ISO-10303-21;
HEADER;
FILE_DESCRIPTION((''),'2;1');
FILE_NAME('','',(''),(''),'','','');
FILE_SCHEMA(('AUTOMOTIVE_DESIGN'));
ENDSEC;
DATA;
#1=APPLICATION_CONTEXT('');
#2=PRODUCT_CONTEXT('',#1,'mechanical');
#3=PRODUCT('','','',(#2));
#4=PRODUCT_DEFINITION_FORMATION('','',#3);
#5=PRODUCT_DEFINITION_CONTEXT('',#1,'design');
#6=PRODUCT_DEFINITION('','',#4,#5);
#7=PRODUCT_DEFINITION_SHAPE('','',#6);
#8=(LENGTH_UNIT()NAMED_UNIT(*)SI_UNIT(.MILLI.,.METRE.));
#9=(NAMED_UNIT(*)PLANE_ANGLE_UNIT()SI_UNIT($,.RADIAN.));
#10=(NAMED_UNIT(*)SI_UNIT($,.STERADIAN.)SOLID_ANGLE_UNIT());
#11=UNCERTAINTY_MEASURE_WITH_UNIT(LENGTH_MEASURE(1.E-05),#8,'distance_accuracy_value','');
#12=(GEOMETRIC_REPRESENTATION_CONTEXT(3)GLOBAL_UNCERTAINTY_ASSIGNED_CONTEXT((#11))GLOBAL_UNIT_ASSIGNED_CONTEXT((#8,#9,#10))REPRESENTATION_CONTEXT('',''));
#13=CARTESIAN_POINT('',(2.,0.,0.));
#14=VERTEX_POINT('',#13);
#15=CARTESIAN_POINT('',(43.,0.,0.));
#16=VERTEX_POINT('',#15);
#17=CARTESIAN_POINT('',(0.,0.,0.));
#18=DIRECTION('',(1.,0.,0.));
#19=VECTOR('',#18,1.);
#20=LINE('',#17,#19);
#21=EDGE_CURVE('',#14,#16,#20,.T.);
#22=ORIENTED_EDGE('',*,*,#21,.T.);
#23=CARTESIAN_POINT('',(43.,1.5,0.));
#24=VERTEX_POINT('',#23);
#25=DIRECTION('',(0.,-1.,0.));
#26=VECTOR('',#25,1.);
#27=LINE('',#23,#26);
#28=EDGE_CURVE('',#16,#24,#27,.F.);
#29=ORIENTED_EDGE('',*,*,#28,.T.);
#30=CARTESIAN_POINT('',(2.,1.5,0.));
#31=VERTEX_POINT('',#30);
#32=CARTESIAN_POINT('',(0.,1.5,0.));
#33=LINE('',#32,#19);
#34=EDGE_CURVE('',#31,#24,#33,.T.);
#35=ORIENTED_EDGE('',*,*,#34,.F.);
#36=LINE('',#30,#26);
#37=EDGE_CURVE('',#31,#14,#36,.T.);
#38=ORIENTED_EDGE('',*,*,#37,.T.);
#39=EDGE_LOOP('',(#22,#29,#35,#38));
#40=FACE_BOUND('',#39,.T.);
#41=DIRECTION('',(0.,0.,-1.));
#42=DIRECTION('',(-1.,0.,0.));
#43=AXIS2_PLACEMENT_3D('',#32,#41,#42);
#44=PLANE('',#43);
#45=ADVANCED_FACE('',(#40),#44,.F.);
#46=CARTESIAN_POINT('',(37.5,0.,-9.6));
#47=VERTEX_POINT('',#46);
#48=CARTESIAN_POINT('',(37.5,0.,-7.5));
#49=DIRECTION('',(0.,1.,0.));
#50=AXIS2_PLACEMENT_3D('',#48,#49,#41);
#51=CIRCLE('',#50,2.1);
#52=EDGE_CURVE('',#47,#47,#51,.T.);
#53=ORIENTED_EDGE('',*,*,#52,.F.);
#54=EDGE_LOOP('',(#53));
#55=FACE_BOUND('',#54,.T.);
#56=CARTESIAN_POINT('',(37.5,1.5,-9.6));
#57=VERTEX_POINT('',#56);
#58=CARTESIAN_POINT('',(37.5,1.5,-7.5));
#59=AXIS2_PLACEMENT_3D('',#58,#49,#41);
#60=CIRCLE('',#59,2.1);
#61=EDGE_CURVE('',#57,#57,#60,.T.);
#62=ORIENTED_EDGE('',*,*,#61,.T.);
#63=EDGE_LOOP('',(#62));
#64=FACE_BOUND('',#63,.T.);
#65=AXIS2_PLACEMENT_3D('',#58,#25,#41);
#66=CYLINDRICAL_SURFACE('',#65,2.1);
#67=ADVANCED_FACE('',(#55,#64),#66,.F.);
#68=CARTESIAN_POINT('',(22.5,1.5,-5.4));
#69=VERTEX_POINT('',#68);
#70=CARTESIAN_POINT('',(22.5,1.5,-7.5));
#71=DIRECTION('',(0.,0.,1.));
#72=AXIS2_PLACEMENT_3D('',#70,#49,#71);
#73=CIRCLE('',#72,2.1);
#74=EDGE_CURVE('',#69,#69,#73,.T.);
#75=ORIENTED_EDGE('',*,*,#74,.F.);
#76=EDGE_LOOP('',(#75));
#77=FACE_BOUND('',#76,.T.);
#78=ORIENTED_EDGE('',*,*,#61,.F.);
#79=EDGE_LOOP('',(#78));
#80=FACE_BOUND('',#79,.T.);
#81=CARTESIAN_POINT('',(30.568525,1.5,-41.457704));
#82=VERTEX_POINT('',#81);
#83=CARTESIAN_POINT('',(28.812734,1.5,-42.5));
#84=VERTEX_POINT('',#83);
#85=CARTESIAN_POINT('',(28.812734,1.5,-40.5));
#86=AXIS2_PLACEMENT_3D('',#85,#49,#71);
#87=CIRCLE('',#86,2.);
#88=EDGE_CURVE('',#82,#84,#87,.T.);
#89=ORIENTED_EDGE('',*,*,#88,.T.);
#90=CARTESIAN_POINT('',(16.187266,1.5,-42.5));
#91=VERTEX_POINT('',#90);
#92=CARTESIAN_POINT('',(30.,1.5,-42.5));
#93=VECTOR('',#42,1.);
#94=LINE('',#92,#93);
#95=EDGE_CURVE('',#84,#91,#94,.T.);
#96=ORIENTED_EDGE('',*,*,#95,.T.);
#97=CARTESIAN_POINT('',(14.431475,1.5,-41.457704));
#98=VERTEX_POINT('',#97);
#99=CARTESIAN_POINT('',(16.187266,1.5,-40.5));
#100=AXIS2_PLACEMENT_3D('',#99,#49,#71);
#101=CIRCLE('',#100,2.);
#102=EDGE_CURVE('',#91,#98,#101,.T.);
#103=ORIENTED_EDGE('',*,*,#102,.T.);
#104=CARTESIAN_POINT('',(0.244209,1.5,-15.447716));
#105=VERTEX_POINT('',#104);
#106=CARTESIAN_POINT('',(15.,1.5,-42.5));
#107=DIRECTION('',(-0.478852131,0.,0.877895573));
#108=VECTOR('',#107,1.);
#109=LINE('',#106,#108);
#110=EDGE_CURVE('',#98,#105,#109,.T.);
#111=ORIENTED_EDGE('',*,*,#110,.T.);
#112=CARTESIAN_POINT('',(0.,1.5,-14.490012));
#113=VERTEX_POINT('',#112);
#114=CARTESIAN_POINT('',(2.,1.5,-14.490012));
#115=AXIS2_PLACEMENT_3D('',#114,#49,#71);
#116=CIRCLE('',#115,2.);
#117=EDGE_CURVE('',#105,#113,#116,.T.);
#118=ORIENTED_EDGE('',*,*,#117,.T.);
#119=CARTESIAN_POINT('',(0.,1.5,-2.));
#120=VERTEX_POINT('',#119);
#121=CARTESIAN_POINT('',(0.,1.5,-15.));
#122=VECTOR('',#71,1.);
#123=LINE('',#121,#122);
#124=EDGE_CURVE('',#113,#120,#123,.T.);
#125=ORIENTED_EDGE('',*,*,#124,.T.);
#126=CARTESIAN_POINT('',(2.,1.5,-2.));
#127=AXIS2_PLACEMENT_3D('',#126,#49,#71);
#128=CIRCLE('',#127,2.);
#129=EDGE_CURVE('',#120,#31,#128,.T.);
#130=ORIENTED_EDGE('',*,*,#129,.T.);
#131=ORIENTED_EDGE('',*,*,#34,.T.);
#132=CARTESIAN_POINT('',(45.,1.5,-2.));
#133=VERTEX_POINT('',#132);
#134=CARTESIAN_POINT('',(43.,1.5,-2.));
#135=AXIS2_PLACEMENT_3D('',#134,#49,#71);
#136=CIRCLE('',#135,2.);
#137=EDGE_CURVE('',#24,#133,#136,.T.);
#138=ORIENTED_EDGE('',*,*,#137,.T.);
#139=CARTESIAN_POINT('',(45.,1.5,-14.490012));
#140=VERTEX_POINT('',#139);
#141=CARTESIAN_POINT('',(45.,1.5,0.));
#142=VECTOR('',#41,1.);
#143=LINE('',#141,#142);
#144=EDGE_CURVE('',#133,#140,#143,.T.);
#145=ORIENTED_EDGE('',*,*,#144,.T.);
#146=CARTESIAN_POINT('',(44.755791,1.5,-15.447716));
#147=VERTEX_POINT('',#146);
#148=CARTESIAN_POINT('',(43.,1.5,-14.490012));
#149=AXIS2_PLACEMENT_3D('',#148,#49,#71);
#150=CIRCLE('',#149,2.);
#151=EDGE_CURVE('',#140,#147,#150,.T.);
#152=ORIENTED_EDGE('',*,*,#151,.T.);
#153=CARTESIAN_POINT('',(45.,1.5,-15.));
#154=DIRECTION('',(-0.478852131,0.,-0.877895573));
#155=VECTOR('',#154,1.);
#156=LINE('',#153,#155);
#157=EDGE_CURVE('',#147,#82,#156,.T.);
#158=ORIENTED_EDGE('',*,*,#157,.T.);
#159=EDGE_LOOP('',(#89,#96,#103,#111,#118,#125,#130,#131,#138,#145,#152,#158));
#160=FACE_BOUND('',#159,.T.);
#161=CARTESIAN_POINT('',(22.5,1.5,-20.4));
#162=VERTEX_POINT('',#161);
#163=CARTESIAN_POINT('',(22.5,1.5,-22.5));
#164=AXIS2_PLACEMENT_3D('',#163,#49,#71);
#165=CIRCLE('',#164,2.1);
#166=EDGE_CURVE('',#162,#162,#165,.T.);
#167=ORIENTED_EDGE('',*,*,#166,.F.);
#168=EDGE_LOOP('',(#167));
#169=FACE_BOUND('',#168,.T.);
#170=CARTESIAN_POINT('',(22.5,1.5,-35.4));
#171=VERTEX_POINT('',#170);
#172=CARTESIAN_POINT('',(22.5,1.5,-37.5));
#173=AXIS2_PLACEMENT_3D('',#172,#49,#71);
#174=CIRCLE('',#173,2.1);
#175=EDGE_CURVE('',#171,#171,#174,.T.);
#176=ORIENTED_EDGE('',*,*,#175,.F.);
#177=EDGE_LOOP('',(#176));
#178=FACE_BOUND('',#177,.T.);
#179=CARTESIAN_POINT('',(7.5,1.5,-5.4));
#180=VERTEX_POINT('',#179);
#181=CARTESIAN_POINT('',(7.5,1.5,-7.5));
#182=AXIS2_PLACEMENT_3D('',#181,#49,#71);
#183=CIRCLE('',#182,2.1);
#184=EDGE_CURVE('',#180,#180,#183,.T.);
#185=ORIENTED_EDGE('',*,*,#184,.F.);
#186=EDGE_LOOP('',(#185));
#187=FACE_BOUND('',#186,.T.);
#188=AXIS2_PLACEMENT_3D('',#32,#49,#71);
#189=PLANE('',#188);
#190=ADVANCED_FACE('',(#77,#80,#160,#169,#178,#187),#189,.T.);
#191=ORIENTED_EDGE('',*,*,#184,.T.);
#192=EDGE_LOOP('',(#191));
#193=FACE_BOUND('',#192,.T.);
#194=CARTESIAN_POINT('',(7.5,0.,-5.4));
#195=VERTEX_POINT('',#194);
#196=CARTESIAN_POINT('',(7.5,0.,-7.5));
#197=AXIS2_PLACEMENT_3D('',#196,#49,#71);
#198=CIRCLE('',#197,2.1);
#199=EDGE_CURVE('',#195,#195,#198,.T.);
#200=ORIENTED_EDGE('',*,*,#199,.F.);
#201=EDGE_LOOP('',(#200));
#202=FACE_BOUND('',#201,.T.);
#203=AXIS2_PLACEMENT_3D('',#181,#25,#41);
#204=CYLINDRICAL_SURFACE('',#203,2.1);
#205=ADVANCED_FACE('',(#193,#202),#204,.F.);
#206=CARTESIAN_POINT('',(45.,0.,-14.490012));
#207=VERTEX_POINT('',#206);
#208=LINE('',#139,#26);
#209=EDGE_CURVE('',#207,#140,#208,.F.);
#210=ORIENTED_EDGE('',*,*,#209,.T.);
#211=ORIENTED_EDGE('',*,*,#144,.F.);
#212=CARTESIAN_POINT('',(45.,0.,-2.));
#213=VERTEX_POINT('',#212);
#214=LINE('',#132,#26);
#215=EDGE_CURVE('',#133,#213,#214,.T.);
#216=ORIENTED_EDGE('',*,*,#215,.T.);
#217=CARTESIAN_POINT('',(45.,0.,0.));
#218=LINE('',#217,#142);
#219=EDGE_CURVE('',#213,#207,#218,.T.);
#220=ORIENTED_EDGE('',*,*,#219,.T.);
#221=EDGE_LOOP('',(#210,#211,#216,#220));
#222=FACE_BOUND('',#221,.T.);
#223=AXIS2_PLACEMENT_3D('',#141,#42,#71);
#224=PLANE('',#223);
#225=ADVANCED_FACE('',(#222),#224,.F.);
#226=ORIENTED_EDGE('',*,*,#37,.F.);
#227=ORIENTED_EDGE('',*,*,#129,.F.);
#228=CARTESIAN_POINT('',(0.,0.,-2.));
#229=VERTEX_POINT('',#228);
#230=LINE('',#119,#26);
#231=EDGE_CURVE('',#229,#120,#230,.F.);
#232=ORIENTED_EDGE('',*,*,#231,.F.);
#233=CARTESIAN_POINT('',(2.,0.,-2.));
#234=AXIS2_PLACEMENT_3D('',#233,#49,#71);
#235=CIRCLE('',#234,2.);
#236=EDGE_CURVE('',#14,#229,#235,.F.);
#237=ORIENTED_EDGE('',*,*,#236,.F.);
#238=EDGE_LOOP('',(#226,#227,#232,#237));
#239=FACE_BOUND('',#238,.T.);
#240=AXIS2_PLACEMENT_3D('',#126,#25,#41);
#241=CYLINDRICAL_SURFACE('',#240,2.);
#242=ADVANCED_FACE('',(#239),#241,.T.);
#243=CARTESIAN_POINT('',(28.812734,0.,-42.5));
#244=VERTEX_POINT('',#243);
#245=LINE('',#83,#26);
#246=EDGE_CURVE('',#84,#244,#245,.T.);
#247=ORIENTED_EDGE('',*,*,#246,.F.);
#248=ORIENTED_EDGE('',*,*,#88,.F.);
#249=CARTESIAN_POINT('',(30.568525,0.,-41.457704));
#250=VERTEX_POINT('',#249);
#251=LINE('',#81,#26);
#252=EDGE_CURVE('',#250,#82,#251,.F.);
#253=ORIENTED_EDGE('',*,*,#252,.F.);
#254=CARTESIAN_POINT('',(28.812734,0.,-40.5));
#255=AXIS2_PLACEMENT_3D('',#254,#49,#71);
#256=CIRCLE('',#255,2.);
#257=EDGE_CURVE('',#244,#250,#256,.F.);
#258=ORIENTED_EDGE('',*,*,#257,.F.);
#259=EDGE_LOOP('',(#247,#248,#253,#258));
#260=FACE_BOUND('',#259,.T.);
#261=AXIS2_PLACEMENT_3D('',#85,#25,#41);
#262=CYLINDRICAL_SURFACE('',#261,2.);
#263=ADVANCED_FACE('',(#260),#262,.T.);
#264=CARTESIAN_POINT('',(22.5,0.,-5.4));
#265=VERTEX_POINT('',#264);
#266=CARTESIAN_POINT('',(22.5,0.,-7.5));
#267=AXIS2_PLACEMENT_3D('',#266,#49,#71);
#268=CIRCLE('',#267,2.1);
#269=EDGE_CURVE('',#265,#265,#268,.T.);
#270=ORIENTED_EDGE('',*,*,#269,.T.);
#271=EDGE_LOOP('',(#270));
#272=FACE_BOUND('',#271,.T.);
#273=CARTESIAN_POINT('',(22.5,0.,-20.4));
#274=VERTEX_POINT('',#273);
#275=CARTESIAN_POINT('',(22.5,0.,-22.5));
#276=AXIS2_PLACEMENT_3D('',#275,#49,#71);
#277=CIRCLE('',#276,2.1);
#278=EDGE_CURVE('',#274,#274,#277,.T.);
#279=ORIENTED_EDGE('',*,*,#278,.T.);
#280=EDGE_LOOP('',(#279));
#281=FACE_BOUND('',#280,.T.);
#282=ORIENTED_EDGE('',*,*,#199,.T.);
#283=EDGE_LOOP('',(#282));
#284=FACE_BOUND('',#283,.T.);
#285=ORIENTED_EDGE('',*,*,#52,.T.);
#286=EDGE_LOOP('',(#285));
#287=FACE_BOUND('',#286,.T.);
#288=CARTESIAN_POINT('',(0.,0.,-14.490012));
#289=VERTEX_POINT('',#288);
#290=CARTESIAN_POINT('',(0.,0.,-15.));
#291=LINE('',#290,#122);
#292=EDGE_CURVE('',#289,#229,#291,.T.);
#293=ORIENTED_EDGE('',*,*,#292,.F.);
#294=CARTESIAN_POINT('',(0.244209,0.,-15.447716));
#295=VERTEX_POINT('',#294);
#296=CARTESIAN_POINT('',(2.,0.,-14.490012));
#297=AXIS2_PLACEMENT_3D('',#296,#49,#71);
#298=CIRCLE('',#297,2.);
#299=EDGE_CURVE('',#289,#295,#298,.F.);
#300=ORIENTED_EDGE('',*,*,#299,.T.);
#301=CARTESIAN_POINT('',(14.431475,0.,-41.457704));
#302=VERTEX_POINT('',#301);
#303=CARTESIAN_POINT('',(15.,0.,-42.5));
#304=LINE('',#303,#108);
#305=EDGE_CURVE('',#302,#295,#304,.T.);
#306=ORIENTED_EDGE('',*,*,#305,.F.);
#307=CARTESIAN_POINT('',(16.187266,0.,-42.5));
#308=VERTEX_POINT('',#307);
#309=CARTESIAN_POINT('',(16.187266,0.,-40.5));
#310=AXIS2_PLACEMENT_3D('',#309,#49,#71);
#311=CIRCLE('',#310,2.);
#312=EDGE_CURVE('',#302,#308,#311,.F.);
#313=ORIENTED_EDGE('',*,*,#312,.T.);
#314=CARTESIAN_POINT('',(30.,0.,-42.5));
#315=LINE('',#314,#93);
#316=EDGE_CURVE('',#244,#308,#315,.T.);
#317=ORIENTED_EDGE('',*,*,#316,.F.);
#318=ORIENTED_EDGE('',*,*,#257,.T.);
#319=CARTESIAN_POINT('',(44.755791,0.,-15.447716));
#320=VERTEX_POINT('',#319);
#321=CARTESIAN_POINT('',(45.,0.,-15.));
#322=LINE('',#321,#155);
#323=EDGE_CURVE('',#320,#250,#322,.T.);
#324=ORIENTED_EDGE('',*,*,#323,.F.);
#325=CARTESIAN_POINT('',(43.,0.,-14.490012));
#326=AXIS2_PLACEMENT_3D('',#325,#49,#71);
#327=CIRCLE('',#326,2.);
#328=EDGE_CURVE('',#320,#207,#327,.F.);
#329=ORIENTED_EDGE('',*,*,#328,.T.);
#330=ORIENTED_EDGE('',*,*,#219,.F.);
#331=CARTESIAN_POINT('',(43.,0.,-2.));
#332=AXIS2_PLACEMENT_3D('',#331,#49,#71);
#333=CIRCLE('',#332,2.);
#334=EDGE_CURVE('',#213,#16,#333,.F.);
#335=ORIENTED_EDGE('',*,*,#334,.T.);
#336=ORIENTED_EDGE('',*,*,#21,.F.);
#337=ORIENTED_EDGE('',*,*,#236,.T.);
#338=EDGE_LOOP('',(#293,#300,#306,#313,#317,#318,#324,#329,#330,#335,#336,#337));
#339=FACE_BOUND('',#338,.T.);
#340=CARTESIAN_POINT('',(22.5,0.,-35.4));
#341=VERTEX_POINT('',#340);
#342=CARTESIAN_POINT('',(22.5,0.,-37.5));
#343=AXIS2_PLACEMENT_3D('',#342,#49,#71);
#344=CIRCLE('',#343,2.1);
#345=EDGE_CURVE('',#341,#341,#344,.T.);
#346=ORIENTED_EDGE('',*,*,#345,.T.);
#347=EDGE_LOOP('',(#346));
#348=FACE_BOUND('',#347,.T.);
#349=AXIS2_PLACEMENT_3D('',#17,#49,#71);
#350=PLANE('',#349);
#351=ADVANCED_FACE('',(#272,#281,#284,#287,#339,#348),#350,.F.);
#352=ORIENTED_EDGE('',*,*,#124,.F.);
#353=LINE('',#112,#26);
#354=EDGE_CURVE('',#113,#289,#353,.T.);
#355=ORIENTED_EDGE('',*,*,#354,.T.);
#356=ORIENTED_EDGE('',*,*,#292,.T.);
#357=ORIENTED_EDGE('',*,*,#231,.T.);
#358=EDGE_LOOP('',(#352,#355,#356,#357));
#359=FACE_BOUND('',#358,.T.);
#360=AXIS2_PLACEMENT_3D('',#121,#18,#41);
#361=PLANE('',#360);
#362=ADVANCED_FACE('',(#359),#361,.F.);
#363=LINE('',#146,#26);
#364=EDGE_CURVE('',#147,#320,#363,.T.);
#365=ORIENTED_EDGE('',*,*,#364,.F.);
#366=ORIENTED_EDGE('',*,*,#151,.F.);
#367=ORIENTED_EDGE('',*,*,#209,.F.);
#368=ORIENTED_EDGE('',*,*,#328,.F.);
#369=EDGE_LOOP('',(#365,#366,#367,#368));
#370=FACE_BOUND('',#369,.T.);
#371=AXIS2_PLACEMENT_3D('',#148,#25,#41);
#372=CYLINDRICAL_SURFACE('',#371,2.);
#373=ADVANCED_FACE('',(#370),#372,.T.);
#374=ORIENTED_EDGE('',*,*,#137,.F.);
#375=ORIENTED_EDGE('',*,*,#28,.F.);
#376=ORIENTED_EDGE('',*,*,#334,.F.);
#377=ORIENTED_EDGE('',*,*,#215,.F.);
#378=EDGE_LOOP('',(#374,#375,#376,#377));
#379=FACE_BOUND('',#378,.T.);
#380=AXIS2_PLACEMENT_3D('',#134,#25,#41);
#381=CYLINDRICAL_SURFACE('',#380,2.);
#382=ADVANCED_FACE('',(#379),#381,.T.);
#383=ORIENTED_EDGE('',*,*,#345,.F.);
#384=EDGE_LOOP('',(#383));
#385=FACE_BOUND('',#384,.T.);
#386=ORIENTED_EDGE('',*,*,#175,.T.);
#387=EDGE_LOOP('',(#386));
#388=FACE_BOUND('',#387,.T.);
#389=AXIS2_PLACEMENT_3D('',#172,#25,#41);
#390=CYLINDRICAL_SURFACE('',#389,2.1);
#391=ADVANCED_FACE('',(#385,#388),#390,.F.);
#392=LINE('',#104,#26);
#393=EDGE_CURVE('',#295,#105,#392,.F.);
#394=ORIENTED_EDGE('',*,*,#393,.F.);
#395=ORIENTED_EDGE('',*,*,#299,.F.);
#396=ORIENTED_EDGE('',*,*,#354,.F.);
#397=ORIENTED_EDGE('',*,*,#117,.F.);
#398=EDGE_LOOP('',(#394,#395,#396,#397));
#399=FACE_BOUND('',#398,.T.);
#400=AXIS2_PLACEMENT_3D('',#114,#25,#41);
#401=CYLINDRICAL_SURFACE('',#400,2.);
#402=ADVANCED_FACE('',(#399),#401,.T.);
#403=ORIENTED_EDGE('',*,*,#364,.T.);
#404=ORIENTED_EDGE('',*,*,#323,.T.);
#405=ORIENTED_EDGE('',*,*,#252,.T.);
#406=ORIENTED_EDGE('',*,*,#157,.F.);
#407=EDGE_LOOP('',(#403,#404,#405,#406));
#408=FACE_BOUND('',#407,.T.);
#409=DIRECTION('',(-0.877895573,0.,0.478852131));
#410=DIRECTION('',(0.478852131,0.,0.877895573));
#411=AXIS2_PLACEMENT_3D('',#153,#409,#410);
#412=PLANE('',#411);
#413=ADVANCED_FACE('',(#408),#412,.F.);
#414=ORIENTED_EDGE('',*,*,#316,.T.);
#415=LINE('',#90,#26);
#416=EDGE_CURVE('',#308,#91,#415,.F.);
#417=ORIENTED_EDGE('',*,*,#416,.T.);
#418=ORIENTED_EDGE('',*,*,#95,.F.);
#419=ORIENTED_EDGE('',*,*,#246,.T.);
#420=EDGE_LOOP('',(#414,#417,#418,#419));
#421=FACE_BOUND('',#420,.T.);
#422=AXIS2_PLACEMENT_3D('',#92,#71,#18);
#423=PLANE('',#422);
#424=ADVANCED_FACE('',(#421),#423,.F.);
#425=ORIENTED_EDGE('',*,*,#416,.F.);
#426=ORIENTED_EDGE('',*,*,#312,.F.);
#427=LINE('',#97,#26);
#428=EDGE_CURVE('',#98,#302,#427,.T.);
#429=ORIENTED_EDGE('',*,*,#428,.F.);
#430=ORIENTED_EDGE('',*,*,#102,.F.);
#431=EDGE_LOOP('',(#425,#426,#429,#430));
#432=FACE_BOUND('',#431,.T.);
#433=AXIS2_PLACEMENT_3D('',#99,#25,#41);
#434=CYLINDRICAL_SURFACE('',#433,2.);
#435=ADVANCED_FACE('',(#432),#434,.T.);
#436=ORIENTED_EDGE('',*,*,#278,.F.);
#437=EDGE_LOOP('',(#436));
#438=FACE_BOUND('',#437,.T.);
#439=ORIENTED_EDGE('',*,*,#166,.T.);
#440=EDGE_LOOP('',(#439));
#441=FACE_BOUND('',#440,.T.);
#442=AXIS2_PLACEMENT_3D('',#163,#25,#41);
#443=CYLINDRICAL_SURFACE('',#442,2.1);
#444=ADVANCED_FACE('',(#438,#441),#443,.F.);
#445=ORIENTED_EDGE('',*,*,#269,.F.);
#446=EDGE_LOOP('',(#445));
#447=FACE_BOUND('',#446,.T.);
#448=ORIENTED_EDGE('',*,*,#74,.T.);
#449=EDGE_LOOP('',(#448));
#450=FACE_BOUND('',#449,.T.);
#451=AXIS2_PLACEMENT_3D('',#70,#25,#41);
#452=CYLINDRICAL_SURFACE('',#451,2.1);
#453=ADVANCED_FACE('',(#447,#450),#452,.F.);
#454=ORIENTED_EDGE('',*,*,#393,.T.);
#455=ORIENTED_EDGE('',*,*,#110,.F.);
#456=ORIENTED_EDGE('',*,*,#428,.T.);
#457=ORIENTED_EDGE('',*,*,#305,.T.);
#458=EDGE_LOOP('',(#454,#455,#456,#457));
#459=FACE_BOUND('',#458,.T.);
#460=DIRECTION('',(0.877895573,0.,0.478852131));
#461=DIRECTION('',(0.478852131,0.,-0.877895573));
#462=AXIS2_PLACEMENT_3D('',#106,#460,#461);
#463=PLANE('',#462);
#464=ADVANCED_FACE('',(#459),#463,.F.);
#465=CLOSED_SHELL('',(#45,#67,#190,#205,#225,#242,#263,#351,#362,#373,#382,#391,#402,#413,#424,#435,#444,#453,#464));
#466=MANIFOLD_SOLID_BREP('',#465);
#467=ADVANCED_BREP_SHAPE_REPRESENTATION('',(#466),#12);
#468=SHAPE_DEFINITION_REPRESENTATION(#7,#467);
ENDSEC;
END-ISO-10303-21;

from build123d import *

# Parameters (mm, degrees)
SKETCH_1_R      = 2.1
EXTRUDE_1_DEPTH = 1.5
FILLET_1_R      = 2


with BuildPart() as part:
    # ｽｹｯﾁ1 → ﾎﾞｽ - 押し出し1 (new body)
    with BuildSketch(Plane(origin=(0, 0, 0), x_dir=(1, 0, 0), z_dir=(0, 1, 0))):
        Polygon((0, 0), (45, 0), (45, 15), (30, 42.5), (15, 42.5), (0, 15), align=None)
        with Locations(Location((7.5, 7.5, 0), (0, 0, 270))):
            Circle(SKETCH_1_R, mode=Mode.SUBTRACT)
        with Locations(Location((37.5, 7.5, 0), (0, 0, 90))):
            Circle(SKETCH_1_R, mode=Mode.SUBTRACT)
        with Locations(Location((22.5, 7.5, 0), (0, 0, 270))):
            Circle(SKETCH_1_R, mode=Mode.SUBTRACT)
        with Locations(Location((22.5, 37.5, 0), (0, 0, 270))):
            Circle(SKETCH_1_R, mode=Mode.SUBTRACT)
        with Locations(Location((22.5, 22.5, 0), (0, 0, 270))):
            Circle(SKETCH_1_R, mode=Mode.SUBTRACT)
    extrude(amount=EXTRUDE_1_DEPTH)

    # ﾌｨﾚｯﾄ1
    fillet_1_edges = [part.edges().sort_by_distance(p)[0] for p in [
        (0, 0.75, -15),
        (15, 0.75, -42.5),
        (30, 0.75, -42.5),
        (45, 0.75, -15),
        (45, 0.75, 0),
        (0, 0.75, 0),
    ]]
    fillet(fillet_1_edges, radius=FILLET_1_R)


solid = part.part
